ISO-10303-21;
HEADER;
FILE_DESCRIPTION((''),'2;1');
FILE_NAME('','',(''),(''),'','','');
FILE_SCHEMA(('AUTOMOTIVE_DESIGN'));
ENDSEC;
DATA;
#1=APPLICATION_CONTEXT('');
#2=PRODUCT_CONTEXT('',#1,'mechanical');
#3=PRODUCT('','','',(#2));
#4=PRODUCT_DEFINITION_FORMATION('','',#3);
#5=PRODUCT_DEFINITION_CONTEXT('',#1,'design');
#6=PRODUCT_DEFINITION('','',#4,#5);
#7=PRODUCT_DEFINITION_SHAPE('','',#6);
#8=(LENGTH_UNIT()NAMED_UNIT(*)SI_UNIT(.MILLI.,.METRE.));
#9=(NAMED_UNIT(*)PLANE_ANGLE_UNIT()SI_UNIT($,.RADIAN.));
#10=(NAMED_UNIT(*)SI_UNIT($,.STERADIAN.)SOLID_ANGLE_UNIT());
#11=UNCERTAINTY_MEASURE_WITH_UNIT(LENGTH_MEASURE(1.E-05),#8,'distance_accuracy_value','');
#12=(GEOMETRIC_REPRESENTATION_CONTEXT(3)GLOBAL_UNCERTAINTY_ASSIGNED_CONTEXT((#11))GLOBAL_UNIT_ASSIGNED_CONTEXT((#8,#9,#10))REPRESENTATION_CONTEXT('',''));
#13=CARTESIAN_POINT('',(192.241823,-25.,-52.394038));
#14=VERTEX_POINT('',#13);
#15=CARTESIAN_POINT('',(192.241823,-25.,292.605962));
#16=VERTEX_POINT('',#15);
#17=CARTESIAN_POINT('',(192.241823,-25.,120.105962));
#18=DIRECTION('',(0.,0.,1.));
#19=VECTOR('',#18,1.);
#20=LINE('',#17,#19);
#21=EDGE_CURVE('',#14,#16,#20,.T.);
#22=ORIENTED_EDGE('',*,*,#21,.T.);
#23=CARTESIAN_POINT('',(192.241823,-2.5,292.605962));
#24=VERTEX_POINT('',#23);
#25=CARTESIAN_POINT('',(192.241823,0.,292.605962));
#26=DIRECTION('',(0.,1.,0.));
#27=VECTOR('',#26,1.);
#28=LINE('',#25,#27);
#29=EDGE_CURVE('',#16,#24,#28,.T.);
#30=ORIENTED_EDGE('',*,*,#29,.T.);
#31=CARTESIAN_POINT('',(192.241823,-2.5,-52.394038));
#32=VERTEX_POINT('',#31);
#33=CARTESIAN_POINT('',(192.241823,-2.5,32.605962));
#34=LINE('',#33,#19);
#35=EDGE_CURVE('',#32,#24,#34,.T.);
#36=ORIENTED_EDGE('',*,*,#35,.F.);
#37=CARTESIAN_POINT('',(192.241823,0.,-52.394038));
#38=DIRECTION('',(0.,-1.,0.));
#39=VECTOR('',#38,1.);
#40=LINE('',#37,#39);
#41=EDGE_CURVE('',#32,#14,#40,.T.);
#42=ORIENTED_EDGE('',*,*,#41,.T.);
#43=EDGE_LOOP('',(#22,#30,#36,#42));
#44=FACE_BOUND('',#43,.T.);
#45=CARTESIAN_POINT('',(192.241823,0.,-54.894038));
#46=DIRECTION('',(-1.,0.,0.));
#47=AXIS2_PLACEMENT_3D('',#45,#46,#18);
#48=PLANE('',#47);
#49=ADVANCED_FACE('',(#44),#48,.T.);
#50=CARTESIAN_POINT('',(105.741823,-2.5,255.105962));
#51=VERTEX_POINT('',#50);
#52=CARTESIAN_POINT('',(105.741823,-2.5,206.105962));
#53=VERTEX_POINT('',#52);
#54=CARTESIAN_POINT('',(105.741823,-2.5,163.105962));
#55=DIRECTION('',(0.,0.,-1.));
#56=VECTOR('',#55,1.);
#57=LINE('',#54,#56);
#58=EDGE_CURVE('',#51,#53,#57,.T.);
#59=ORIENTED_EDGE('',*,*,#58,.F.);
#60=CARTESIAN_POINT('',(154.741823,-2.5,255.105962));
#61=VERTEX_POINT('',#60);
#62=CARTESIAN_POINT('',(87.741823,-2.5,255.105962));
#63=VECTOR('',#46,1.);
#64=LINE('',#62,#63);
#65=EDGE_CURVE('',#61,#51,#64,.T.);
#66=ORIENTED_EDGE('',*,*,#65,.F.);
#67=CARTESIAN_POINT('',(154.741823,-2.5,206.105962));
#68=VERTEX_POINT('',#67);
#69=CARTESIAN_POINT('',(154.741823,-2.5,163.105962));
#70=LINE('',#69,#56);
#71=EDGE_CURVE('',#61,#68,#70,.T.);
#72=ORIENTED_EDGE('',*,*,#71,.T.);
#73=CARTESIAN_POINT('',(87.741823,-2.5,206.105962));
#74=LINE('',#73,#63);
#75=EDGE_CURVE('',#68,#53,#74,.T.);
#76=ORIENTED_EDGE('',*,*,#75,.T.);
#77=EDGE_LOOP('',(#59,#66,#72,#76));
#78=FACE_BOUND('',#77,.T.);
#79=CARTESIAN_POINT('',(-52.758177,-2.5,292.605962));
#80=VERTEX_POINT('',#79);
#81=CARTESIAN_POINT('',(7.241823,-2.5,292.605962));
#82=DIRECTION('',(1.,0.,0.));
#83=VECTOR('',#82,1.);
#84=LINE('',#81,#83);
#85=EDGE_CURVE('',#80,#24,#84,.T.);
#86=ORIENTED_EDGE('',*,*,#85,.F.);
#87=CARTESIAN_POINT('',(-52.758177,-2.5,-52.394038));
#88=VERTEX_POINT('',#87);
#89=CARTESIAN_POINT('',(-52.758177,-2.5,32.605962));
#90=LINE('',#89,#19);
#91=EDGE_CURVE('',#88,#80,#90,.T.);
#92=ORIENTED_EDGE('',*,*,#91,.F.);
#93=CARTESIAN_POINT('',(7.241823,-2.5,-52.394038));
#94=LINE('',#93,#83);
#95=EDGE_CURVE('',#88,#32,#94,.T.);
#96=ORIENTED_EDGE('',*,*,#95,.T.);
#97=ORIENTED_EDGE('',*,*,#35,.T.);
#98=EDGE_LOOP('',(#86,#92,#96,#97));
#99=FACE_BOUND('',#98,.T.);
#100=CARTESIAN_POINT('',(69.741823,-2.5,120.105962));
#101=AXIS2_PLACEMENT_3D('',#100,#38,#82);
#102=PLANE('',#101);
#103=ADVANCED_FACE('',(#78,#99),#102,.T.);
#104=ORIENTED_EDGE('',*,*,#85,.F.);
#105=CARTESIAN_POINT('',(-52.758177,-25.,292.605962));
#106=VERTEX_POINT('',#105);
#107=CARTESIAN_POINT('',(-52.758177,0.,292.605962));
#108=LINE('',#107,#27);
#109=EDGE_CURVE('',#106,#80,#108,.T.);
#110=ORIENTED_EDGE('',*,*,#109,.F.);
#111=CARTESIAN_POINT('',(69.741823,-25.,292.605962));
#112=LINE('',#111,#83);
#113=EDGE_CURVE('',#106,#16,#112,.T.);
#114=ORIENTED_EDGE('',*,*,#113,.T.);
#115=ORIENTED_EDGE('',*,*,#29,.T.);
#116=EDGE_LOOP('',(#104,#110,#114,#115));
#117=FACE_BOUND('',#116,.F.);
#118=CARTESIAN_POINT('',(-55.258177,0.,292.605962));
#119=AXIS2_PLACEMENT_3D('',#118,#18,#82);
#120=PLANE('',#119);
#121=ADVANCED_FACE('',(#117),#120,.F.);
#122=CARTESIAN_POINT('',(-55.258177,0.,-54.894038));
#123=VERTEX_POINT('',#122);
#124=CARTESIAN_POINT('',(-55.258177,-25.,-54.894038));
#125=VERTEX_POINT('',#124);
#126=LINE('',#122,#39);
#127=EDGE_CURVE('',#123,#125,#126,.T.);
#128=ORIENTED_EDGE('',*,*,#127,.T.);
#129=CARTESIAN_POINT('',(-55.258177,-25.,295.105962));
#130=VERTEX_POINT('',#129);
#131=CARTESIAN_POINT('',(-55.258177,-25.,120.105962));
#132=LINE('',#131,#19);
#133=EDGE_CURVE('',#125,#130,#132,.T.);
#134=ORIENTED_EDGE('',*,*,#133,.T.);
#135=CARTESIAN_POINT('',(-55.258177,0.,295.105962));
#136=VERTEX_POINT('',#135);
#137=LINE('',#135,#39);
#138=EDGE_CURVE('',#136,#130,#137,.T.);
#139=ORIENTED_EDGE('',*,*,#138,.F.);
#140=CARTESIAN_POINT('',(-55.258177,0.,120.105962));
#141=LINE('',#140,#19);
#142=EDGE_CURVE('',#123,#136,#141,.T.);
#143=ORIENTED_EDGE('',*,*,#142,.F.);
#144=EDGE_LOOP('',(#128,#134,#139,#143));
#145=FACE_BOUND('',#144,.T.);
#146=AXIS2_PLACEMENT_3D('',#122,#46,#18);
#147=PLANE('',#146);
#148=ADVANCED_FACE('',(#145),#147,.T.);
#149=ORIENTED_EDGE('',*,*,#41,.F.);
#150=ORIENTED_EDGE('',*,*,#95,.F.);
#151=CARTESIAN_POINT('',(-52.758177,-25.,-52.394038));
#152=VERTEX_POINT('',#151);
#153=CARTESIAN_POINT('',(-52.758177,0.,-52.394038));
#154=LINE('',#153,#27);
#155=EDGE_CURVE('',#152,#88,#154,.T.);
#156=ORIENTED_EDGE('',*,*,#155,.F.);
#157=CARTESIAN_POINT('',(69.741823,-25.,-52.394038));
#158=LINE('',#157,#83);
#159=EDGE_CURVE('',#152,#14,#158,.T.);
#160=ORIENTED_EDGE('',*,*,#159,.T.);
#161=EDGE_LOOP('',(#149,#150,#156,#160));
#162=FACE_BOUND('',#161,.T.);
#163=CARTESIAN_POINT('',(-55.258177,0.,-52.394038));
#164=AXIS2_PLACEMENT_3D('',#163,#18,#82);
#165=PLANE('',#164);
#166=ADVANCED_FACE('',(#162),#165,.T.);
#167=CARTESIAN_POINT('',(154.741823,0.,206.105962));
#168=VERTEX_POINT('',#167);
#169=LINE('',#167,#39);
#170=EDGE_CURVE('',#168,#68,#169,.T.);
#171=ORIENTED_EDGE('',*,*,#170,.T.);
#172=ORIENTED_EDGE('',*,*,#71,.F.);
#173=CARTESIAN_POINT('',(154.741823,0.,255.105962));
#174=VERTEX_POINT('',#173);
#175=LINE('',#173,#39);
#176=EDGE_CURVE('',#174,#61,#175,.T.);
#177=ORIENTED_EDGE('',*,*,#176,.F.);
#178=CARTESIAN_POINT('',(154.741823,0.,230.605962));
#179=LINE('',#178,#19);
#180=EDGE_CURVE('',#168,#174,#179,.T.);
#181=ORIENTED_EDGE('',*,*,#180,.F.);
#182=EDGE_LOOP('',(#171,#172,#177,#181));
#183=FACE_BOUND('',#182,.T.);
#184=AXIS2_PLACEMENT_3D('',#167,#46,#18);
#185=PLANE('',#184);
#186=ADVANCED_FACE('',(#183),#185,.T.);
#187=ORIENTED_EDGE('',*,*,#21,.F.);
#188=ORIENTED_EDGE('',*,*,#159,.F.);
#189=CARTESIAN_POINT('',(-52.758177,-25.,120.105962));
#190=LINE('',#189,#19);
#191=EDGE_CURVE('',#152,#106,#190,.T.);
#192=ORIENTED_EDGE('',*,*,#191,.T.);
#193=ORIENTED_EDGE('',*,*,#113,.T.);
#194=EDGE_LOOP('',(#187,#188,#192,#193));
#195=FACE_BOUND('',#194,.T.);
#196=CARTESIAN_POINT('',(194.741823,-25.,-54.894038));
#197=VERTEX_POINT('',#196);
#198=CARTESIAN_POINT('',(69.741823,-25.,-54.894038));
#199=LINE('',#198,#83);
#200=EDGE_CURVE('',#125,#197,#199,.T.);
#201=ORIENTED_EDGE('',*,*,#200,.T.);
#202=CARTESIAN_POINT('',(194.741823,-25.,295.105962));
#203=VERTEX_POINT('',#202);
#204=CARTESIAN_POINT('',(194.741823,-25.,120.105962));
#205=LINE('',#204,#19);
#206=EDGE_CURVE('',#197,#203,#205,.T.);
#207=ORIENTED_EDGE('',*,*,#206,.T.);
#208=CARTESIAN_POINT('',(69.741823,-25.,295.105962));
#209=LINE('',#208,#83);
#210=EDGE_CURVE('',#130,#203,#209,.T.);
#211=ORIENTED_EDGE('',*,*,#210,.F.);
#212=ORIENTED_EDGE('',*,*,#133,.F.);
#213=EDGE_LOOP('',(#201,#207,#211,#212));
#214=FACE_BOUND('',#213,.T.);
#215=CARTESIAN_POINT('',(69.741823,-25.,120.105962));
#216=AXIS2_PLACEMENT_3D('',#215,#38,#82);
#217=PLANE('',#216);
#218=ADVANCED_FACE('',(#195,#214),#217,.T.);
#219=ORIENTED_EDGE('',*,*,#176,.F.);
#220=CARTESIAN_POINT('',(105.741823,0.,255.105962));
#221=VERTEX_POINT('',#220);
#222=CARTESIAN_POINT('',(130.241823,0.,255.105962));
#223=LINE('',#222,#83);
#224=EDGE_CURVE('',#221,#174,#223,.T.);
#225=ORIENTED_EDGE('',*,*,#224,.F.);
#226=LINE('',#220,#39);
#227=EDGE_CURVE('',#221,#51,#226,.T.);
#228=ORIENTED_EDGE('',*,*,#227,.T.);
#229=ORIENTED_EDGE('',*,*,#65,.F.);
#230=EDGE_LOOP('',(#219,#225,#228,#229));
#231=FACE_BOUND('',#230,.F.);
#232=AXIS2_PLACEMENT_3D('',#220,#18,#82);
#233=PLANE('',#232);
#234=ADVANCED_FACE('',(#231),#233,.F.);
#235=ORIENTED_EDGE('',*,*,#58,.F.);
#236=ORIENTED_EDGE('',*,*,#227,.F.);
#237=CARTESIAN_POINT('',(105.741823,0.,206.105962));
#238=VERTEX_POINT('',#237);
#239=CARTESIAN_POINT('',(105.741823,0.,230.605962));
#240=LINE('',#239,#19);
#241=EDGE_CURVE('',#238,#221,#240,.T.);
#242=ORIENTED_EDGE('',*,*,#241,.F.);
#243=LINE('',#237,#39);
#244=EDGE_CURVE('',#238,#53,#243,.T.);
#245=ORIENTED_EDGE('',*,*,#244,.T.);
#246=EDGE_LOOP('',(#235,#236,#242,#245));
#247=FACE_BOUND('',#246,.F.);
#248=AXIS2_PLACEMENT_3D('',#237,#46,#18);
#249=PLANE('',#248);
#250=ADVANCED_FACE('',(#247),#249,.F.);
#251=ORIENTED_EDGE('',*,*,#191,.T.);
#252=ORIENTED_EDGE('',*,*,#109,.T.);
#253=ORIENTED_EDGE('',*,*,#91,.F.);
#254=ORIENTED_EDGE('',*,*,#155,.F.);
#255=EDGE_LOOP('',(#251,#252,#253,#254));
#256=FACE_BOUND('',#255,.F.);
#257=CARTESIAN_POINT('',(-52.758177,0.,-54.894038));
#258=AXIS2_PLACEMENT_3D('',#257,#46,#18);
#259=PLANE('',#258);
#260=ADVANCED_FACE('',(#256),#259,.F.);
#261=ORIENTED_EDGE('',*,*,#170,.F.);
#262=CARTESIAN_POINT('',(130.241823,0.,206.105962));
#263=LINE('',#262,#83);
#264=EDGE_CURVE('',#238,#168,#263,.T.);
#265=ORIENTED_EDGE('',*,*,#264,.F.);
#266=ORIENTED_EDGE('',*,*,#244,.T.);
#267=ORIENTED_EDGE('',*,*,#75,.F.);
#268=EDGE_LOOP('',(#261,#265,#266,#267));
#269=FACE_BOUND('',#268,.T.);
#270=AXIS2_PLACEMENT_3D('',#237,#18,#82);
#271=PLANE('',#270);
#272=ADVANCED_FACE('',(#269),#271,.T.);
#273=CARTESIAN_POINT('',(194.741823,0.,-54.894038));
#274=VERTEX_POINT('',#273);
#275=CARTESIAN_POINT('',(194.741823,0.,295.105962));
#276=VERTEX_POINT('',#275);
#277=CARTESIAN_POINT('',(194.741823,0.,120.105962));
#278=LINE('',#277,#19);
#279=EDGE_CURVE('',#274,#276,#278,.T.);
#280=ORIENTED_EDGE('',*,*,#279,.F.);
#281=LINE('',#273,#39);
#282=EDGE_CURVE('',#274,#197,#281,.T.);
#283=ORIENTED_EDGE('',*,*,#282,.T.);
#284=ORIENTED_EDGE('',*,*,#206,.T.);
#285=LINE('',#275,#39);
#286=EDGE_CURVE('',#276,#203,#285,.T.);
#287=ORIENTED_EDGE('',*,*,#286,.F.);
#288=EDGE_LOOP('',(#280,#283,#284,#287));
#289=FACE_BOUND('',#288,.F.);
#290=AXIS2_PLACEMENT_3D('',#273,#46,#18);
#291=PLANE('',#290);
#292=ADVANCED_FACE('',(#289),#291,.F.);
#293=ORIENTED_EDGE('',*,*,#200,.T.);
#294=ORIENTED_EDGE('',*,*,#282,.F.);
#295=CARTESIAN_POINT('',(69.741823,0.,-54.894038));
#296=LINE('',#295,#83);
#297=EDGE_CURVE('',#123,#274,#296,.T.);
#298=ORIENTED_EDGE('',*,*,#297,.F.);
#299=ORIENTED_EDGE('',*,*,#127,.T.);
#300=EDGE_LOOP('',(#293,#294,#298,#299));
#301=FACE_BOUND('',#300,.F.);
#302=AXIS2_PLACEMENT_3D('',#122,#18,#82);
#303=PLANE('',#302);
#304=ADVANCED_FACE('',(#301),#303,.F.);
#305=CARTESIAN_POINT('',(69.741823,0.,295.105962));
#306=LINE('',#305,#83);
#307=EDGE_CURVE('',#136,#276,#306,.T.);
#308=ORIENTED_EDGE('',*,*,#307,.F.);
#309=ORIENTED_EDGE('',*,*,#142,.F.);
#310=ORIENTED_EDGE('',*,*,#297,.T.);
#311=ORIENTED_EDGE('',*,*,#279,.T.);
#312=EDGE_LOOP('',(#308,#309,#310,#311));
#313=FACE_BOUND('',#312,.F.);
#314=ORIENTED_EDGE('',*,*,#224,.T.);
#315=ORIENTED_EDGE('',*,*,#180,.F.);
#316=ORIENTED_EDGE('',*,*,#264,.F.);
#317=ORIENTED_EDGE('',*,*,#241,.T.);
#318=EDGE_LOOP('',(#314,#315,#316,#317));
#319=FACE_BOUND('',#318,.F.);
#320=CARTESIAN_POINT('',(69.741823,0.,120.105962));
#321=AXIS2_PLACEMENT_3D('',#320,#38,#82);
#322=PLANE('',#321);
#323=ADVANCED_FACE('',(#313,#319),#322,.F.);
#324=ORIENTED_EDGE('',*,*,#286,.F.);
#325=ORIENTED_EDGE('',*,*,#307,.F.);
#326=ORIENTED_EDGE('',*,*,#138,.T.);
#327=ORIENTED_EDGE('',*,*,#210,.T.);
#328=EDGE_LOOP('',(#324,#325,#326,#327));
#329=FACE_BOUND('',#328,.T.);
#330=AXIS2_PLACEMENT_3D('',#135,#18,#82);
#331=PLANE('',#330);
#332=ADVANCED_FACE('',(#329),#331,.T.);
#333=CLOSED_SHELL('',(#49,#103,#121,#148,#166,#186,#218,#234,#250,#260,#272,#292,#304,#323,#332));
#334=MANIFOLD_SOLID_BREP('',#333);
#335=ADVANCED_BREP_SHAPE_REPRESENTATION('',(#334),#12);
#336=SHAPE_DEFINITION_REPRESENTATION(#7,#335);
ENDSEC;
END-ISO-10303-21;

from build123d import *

# Parameters (mm, degrees)
F0_W     = 250
F0_H     = 350
F1_DEPTH = 25
F2_T     = -2.5
F3_W     = 49
F3_H     = 49
F4_DEPTH = 25


with BuildPart() as f1:
    # F0 (on Front) → F1 (new body)
    with BuildSketch(Plane.XZ):
        with Locations((69.741823, 120.105962)):
            Rectangle(F0_W, F0_H)
    extrude(amount=F1_DEPTH)

    # F2
    f2_openings = [f1.faces().sort_by_distance(p)[0] for p in [
        (69.741823, -25, 120.105962),
    ]]
    offset(amount=F2_T, openings=f2_openings)

    # F3 (on face) → F4 (cut)
    with BuildSketch(Plane.XZ):
        with Locations((130.241823, 230.605962)):
            Rectangle(F3_W, F3_H)
    extrude(amount=F4_DEPTH, mode=Mode.SUBTRACT)


solid = f1.part
